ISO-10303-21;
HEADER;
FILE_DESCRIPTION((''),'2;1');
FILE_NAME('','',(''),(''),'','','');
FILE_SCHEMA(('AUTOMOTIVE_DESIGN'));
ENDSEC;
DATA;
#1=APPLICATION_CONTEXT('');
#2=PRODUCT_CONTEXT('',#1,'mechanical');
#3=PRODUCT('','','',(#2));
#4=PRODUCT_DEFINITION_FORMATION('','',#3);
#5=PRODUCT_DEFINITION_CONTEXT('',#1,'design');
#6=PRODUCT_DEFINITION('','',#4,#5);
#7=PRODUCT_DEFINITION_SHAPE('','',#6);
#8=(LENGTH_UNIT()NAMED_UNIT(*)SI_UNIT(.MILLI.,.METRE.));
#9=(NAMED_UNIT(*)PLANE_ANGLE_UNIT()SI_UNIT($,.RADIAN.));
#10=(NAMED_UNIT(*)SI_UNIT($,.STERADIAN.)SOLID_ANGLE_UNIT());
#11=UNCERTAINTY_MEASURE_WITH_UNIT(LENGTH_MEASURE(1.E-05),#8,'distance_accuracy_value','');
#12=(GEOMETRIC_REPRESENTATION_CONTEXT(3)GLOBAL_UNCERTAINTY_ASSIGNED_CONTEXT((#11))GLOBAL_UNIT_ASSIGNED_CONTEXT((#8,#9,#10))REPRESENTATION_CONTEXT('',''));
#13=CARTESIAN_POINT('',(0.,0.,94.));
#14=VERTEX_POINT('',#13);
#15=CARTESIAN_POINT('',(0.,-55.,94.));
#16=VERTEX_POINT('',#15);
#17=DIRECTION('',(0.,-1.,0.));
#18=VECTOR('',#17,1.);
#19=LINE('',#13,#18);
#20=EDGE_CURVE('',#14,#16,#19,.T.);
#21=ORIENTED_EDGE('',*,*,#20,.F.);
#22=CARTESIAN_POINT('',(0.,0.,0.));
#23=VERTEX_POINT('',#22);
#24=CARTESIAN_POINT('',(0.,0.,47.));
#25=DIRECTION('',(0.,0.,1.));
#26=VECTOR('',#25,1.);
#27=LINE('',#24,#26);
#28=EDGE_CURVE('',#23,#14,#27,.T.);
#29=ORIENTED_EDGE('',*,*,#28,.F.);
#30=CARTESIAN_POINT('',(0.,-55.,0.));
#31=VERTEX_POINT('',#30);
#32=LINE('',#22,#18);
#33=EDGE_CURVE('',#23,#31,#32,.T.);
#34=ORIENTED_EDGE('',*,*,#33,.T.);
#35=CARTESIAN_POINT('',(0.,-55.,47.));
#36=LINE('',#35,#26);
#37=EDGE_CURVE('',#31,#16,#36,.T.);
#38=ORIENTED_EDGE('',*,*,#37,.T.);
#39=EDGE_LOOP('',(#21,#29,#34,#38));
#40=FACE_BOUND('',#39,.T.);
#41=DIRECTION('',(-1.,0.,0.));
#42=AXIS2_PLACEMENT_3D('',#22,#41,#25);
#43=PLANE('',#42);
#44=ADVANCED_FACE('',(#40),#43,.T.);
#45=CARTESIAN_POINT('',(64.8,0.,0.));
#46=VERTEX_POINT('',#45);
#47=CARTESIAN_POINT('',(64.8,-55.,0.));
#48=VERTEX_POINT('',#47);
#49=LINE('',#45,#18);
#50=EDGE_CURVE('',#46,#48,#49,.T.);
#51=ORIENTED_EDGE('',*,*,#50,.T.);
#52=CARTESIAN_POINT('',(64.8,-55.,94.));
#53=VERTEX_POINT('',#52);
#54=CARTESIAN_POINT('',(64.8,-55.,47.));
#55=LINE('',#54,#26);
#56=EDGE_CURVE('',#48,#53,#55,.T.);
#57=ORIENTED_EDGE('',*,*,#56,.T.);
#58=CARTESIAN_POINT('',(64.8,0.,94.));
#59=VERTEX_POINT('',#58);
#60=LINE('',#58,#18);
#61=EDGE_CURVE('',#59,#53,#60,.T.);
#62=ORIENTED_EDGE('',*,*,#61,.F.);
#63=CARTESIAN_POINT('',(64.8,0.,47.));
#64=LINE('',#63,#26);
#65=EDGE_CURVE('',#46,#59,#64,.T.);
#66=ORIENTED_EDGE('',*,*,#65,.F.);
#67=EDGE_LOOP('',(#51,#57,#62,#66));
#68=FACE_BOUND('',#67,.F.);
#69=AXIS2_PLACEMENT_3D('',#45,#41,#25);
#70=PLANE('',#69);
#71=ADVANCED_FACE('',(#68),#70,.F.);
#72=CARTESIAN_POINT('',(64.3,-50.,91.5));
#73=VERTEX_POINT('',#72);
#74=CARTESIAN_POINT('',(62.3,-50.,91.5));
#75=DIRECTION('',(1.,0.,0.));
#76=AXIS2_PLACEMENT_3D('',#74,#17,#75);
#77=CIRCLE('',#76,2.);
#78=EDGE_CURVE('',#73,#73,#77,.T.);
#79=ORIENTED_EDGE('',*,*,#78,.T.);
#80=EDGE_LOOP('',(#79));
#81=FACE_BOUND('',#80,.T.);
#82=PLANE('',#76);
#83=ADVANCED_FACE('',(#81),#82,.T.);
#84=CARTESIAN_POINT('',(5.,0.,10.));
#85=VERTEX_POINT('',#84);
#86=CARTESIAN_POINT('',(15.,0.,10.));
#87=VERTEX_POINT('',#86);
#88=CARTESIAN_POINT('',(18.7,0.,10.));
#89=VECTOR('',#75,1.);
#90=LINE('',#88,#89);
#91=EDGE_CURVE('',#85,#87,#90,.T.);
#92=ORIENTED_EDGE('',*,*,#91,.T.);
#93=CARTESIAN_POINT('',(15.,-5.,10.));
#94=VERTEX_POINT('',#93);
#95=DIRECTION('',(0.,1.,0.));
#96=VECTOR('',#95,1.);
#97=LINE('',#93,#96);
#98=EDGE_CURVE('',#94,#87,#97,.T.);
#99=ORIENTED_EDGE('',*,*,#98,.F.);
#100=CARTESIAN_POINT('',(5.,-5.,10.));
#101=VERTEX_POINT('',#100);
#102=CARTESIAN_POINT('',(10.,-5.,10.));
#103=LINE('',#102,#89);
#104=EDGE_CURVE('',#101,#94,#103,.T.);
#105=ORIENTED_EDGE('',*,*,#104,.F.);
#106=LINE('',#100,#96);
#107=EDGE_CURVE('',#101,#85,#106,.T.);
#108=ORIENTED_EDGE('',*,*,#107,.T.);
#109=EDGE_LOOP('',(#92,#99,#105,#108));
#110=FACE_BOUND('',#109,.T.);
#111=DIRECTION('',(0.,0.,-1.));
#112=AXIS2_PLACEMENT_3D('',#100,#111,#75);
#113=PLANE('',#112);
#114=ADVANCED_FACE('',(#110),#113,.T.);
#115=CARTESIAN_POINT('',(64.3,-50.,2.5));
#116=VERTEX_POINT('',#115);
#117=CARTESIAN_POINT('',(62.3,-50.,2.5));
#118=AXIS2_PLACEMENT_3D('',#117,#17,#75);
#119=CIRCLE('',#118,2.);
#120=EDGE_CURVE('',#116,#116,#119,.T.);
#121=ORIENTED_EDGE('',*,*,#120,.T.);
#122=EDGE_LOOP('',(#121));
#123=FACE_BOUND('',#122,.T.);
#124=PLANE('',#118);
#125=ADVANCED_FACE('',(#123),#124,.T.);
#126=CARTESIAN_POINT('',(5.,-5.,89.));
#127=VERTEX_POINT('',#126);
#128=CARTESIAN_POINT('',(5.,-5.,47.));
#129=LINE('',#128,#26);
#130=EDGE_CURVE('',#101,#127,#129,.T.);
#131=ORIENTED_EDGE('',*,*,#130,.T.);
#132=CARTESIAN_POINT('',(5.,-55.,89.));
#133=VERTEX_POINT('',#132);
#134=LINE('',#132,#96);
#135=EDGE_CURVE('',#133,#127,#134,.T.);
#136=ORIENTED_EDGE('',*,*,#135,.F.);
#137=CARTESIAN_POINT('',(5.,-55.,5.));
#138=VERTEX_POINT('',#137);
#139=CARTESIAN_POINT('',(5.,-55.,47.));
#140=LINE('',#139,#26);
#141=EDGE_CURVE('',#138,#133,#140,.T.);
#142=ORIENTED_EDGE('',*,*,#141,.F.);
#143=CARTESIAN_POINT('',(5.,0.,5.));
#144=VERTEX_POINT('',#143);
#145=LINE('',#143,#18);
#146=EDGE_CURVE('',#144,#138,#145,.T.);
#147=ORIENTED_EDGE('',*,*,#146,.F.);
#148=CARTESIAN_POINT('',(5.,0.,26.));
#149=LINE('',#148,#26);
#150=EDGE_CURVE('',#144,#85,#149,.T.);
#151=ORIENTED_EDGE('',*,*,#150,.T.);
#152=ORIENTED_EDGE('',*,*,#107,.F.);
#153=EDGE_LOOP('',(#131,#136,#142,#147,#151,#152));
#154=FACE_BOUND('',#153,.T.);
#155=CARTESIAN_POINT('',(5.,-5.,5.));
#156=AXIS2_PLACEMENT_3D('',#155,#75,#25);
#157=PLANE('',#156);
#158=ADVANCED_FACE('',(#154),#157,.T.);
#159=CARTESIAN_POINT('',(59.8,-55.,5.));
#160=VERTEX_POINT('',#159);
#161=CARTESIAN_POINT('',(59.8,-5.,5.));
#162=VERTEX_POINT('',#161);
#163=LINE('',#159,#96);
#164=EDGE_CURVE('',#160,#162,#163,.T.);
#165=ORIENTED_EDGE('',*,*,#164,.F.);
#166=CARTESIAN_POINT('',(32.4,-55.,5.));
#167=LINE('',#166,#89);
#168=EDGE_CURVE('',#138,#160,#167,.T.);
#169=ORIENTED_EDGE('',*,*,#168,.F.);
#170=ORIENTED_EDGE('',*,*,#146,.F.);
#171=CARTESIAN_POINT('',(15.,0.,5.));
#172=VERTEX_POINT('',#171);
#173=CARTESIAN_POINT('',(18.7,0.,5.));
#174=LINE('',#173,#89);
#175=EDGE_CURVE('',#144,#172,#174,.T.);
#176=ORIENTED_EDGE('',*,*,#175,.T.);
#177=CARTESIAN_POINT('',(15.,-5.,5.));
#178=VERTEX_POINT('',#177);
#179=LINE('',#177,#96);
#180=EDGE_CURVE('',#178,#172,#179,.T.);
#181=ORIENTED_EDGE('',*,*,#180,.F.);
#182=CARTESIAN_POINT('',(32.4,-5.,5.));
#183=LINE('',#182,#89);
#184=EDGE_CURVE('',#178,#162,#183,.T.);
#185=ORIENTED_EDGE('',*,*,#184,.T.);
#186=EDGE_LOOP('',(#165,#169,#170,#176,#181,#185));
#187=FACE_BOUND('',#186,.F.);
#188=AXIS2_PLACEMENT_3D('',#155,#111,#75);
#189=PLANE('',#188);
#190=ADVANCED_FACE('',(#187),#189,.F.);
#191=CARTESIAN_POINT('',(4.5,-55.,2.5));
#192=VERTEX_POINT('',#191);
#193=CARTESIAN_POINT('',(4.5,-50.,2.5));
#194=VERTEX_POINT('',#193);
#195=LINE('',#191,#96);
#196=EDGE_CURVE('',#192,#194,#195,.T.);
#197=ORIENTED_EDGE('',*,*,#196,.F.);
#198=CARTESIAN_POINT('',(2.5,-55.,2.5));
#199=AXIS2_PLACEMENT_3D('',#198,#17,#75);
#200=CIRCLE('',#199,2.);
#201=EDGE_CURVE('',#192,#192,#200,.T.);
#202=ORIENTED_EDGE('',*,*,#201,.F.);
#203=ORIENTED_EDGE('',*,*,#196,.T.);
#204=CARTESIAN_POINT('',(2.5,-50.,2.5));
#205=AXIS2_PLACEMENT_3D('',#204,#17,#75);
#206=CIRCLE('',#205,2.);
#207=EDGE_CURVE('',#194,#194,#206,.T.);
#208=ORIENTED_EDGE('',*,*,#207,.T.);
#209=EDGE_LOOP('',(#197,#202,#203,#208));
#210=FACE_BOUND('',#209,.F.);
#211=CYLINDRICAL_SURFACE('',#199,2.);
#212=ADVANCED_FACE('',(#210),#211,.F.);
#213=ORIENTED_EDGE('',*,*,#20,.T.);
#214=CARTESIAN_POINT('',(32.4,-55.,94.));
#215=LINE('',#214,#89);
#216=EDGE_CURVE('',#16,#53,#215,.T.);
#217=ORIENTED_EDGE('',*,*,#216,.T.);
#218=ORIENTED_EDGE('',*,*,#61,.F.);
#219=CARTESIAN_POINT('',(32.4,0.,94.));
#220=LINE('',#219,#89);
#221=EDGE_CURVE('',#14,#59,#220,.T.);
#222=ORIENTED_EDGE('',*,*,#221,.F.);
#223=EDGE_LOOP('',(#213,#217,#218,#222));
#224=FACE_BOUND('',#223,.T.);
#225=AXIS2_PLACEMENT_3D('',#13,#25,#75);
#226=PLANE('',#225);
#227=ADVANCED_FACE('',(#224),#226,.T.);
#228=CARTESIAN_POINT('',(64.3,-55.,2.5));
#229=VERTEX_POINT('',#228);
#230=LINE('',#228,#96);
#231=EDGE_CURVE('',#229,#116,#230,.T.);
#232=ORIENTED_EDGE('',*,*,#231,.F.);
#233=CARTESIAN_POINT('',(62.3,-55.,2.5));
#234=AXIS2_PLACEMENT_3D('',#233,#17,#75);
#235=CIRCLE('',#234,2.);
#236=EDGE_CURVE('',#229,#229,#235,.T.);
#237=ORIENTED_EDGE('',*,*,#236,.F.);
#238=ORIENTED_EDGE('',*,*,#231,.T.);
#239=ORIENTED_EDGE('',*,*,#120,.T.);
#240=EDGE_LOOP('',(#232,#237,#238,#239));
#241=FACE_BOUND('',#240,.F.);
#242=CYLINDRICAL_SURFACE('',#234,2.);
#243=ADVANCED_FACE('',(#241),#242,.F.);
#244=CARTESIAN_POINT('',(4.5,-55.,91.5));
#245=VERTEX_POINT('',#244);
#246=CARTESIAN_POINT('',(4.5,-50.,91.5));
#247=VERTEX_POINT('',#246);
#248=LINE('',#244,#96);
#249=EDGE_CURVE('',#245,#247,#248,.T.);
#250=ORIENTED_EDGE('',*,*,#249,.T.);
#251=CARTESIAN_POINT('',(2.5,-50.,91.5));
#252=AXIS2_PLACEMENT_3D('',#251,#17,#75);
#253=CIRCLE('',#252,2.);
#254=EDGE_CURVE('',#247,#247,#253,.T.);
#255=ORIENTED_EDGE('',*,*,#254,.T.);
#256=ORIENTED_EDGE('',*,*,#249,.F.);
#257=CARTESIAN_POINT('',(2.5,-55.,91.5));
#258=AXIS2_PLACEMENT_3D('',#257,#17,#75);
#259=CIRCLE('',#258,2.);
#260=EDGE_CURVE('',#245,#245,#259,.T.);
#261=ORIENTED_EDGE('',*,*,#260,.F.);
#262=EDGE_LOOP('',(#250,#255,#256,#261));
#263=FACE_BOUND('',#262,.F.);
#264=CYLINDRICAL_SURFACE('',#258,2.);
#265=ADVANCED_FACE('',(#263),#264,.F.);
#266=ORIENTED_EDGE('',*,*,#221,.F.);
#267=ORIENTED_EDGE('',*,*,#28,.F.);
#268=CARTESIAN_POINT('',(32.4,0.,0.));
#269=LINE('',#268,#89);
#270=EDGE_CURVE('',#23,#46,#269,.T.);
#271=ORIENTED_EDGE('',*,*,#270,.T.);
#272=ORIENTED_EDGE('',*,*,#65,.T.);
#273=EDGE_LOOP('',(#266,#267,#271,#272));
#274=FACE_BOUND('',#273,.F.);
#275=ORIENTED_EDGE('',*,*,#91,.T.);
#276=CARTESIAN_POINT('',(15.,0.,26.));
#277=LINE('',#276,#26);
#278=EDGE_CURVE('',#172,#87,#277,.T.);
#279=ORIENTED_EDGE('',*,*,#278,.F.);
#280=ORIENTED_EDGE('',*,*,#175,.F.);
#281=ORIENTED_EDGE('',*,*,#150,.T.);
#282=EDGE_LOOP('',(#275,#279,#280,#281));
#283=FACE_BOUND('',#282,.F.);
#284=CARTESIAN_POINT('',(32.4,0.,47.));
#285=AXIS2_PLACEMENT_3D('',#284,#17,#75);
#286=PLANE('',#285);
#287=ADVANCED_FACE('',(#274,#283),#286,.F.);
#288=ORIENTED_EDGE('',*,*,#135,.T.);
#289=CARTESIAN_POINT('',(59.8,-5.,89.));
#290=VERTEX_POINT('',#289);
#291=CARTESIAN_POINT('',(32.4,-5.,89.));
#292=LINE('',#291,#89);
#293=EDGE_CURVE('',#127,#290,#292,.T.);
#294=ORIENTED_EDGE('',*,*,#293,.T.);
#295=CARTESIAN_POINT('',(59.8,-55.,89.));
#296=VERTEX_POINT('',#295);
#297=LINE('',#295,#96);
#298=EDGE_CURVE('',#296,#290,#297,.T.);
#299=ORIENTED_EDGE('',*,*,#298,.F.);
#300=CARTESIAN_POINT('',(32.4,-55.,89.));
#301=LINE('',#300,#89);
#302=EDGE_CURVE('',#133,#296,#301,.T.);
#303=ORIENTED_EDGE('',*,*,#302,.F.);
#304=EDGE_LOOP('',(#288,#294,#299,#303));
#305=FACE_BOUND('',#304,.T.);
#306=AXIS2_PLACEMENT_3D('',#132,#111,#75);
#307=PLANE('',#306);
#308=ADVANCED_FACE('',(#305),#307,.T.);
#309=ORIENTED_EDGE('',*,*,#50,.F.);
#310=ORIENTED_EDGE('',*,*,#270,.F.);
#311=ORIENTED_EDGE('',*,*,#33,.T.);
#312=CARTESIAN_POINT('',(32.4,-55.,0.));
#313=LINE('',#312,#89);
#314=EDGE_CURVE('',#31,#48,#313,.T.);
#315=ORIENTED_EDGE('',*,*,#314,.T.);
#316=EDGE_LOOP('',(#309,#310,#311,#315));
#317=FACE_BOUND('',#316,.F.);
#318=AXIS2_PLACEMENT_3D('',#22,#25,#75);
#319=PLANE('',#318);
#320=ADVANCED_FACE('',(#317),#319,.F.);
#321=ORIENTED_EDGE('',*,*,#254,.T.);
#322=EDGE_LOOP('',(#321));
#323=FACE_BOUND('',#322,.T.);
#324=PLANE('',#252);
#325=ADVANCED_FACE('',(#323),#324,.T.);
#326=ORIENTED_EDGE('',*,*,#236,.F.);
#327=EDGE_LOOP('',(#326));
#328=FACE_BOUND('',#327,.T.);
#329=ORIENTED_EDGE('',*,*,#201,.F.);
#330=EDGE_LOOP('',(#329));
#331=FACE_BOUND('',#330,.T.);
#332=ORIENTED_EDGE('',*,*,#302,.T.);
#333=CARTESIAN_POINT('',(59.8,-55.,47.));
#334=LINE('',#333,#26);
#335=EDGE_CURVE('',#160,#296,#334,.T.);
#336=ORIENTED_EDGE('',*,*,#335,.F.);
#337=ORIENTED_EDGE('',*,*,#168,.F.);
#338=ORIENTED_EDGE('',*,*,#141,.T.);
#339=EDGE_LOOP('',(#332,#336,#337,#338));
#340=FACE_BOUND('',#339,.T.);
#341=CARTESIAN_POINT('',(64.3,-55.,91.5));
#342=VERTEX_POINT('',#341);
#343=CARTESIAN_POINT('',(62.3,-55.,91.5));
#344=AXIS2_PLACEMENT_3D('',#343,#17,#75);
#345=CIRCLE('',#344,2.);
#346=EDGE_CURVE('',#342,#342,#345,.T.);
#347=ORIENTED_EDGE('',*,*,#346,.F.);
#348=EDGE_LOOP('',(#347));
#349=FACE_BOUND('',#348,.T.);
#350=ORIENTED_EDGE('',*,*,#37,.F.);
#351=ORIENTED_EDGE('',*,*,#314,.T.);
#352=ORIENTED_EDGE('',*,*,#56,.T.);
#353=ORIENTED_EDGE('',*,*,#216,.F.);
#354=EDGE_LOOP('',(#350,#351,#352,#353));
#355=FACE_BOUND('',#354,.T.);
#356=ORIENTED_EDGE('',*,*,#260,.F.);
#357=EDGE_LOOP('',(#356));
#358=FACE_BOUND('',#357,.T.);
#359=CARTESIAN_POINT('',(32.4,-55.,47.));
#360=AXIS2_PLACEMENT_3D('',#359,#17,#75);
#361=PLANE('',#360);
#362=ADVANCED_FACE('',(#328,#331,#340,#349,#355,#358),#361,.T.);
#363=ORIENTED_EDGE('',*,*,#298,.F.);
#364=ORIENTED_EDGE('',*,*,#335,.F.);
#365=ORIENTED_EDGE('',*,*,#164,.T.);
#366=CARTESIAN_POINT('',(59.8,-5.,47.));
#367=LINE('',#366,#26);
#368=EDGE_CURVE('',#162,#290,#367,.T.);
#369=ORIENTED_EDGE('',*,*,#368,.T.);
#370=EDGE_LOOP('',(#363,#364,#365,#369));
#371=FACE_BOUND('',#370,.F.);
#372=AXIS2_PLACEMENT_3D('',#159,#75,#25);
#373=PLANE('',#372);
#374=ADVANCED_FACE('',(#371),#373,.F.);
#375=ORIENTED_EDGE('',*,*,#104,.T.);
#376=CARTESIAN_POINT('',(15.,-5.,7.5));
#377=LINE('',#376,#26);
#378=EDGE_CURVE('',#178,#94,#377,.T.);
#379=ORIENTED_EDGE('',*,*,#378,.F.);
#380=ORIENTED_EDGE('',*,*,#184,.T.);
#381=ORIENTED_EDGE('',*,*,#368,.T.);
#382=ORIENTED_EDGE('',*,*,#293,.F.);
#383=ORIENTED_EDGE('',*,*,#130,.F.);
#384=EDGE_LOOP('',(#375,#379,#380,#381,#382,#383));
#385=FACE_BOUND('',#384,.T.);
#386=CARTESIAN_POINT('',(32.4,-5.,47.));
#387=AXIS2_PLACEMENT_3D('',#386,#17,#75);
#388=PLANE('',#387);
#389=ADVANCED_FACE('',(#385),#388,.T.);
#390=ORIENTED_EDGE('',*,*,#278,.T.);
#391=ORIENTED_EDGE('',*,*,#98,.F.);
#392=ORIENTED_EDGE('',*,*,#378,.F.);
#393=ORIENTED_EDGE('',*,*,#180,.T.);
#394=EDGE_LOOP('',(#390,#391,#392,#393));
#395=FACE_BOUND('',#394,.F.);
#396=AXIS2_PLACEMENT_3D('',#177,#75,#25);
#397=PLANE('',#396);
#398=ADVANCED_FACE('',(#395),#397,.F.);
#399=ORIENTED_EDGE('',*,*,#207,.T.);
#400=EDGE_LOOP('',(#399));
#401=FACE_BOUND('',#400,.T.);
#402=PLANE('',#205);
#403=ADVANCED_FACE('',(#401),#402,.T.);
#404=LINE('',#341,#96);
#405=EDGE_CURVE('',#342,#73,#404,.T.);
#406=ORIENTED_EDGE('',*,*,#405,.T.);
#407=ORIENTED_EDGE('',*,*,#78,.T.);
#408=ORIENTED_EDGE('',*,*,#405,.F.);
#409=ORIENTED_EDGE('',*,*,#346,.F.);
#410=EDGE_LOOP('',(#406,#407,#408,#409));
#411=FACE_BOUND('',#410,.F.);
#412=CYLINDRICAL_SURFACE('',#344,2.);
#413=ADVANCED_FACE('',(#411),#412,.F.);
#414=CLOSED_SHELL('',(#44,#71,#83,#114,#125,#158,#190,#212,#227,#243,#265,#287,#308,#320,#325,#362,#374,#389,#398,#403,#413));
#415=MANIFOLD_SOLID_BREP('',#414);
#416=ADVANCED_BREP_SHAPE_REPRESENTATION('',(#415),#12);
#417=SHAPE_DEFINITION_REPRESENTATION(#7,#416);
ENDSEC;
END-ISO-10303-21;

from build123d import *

# Parameters (mm, degrees)
SKETCH_W        = 64.8
SKETCH_H        = 94
PAD_DEPTH       = 55
SKETCH001_W     = 54.8
SKETCH001_H     = 84
POCKET_DEPTH    = 50
SKETCH002_R     = 2
POCKET001_DEPTH = 5
SKETCH003_W     = 10
SKETCH003_H     = 5
POCKET002_DEPTH = 5.001


with BuildPart() as part:
    # Sketch → Pad (new body)
    with BuildSketch(Plane.XZ):
        with Locations((32.4, 47)):
            Rectangle(SKETCH_W, SKETCH_H)
    extrude(amount=PAD_DEPTH)

    # Sketch001 (on Face6 of Pad) → Pocket (cut)
    with BuildSketch(Plane.XZ.offset(55)):
        with Locations((32.4, 47)):
            Rectangle(SKETCH001_W, SKETCH001_H)
    extrude(amount=-POCKET_DEPTH, mode=Mode.SUBTRACT)

    # Sketch002 (on Face5 of Pocket) → Pocket001 (cut)
    with BuildSketch(Plane.XZ.offset(55)):
        with Locations((2.5, 2.5)):
            Circle(SKETCH002_R)
        with Locations((62.3, 2.5)):
            Circle(SKETCH002_R)
        with Locations((62.3, 91.5)):
            Circle(SKETCH002_R)
        with Locations((2.5, 91.5)):
            Circle(SKETCH002_R)
    extrude(amount=-POCKET001_DEPTH, mode=Mode.SUBTRACT)

    # Sketch003 (on Face18 of Pocket001) → Pocket002 (cut, through all)
    with BuildSketch(Plane.XZ.offset(5)):
        with Locations((10, 7.5)):
            Rectangle(SKETCH003_W, SKETCH003_H)
    extrude(amount=-POCKET002_DEPTH, mode=Mode.SUBTRACT)


solid = part.part
